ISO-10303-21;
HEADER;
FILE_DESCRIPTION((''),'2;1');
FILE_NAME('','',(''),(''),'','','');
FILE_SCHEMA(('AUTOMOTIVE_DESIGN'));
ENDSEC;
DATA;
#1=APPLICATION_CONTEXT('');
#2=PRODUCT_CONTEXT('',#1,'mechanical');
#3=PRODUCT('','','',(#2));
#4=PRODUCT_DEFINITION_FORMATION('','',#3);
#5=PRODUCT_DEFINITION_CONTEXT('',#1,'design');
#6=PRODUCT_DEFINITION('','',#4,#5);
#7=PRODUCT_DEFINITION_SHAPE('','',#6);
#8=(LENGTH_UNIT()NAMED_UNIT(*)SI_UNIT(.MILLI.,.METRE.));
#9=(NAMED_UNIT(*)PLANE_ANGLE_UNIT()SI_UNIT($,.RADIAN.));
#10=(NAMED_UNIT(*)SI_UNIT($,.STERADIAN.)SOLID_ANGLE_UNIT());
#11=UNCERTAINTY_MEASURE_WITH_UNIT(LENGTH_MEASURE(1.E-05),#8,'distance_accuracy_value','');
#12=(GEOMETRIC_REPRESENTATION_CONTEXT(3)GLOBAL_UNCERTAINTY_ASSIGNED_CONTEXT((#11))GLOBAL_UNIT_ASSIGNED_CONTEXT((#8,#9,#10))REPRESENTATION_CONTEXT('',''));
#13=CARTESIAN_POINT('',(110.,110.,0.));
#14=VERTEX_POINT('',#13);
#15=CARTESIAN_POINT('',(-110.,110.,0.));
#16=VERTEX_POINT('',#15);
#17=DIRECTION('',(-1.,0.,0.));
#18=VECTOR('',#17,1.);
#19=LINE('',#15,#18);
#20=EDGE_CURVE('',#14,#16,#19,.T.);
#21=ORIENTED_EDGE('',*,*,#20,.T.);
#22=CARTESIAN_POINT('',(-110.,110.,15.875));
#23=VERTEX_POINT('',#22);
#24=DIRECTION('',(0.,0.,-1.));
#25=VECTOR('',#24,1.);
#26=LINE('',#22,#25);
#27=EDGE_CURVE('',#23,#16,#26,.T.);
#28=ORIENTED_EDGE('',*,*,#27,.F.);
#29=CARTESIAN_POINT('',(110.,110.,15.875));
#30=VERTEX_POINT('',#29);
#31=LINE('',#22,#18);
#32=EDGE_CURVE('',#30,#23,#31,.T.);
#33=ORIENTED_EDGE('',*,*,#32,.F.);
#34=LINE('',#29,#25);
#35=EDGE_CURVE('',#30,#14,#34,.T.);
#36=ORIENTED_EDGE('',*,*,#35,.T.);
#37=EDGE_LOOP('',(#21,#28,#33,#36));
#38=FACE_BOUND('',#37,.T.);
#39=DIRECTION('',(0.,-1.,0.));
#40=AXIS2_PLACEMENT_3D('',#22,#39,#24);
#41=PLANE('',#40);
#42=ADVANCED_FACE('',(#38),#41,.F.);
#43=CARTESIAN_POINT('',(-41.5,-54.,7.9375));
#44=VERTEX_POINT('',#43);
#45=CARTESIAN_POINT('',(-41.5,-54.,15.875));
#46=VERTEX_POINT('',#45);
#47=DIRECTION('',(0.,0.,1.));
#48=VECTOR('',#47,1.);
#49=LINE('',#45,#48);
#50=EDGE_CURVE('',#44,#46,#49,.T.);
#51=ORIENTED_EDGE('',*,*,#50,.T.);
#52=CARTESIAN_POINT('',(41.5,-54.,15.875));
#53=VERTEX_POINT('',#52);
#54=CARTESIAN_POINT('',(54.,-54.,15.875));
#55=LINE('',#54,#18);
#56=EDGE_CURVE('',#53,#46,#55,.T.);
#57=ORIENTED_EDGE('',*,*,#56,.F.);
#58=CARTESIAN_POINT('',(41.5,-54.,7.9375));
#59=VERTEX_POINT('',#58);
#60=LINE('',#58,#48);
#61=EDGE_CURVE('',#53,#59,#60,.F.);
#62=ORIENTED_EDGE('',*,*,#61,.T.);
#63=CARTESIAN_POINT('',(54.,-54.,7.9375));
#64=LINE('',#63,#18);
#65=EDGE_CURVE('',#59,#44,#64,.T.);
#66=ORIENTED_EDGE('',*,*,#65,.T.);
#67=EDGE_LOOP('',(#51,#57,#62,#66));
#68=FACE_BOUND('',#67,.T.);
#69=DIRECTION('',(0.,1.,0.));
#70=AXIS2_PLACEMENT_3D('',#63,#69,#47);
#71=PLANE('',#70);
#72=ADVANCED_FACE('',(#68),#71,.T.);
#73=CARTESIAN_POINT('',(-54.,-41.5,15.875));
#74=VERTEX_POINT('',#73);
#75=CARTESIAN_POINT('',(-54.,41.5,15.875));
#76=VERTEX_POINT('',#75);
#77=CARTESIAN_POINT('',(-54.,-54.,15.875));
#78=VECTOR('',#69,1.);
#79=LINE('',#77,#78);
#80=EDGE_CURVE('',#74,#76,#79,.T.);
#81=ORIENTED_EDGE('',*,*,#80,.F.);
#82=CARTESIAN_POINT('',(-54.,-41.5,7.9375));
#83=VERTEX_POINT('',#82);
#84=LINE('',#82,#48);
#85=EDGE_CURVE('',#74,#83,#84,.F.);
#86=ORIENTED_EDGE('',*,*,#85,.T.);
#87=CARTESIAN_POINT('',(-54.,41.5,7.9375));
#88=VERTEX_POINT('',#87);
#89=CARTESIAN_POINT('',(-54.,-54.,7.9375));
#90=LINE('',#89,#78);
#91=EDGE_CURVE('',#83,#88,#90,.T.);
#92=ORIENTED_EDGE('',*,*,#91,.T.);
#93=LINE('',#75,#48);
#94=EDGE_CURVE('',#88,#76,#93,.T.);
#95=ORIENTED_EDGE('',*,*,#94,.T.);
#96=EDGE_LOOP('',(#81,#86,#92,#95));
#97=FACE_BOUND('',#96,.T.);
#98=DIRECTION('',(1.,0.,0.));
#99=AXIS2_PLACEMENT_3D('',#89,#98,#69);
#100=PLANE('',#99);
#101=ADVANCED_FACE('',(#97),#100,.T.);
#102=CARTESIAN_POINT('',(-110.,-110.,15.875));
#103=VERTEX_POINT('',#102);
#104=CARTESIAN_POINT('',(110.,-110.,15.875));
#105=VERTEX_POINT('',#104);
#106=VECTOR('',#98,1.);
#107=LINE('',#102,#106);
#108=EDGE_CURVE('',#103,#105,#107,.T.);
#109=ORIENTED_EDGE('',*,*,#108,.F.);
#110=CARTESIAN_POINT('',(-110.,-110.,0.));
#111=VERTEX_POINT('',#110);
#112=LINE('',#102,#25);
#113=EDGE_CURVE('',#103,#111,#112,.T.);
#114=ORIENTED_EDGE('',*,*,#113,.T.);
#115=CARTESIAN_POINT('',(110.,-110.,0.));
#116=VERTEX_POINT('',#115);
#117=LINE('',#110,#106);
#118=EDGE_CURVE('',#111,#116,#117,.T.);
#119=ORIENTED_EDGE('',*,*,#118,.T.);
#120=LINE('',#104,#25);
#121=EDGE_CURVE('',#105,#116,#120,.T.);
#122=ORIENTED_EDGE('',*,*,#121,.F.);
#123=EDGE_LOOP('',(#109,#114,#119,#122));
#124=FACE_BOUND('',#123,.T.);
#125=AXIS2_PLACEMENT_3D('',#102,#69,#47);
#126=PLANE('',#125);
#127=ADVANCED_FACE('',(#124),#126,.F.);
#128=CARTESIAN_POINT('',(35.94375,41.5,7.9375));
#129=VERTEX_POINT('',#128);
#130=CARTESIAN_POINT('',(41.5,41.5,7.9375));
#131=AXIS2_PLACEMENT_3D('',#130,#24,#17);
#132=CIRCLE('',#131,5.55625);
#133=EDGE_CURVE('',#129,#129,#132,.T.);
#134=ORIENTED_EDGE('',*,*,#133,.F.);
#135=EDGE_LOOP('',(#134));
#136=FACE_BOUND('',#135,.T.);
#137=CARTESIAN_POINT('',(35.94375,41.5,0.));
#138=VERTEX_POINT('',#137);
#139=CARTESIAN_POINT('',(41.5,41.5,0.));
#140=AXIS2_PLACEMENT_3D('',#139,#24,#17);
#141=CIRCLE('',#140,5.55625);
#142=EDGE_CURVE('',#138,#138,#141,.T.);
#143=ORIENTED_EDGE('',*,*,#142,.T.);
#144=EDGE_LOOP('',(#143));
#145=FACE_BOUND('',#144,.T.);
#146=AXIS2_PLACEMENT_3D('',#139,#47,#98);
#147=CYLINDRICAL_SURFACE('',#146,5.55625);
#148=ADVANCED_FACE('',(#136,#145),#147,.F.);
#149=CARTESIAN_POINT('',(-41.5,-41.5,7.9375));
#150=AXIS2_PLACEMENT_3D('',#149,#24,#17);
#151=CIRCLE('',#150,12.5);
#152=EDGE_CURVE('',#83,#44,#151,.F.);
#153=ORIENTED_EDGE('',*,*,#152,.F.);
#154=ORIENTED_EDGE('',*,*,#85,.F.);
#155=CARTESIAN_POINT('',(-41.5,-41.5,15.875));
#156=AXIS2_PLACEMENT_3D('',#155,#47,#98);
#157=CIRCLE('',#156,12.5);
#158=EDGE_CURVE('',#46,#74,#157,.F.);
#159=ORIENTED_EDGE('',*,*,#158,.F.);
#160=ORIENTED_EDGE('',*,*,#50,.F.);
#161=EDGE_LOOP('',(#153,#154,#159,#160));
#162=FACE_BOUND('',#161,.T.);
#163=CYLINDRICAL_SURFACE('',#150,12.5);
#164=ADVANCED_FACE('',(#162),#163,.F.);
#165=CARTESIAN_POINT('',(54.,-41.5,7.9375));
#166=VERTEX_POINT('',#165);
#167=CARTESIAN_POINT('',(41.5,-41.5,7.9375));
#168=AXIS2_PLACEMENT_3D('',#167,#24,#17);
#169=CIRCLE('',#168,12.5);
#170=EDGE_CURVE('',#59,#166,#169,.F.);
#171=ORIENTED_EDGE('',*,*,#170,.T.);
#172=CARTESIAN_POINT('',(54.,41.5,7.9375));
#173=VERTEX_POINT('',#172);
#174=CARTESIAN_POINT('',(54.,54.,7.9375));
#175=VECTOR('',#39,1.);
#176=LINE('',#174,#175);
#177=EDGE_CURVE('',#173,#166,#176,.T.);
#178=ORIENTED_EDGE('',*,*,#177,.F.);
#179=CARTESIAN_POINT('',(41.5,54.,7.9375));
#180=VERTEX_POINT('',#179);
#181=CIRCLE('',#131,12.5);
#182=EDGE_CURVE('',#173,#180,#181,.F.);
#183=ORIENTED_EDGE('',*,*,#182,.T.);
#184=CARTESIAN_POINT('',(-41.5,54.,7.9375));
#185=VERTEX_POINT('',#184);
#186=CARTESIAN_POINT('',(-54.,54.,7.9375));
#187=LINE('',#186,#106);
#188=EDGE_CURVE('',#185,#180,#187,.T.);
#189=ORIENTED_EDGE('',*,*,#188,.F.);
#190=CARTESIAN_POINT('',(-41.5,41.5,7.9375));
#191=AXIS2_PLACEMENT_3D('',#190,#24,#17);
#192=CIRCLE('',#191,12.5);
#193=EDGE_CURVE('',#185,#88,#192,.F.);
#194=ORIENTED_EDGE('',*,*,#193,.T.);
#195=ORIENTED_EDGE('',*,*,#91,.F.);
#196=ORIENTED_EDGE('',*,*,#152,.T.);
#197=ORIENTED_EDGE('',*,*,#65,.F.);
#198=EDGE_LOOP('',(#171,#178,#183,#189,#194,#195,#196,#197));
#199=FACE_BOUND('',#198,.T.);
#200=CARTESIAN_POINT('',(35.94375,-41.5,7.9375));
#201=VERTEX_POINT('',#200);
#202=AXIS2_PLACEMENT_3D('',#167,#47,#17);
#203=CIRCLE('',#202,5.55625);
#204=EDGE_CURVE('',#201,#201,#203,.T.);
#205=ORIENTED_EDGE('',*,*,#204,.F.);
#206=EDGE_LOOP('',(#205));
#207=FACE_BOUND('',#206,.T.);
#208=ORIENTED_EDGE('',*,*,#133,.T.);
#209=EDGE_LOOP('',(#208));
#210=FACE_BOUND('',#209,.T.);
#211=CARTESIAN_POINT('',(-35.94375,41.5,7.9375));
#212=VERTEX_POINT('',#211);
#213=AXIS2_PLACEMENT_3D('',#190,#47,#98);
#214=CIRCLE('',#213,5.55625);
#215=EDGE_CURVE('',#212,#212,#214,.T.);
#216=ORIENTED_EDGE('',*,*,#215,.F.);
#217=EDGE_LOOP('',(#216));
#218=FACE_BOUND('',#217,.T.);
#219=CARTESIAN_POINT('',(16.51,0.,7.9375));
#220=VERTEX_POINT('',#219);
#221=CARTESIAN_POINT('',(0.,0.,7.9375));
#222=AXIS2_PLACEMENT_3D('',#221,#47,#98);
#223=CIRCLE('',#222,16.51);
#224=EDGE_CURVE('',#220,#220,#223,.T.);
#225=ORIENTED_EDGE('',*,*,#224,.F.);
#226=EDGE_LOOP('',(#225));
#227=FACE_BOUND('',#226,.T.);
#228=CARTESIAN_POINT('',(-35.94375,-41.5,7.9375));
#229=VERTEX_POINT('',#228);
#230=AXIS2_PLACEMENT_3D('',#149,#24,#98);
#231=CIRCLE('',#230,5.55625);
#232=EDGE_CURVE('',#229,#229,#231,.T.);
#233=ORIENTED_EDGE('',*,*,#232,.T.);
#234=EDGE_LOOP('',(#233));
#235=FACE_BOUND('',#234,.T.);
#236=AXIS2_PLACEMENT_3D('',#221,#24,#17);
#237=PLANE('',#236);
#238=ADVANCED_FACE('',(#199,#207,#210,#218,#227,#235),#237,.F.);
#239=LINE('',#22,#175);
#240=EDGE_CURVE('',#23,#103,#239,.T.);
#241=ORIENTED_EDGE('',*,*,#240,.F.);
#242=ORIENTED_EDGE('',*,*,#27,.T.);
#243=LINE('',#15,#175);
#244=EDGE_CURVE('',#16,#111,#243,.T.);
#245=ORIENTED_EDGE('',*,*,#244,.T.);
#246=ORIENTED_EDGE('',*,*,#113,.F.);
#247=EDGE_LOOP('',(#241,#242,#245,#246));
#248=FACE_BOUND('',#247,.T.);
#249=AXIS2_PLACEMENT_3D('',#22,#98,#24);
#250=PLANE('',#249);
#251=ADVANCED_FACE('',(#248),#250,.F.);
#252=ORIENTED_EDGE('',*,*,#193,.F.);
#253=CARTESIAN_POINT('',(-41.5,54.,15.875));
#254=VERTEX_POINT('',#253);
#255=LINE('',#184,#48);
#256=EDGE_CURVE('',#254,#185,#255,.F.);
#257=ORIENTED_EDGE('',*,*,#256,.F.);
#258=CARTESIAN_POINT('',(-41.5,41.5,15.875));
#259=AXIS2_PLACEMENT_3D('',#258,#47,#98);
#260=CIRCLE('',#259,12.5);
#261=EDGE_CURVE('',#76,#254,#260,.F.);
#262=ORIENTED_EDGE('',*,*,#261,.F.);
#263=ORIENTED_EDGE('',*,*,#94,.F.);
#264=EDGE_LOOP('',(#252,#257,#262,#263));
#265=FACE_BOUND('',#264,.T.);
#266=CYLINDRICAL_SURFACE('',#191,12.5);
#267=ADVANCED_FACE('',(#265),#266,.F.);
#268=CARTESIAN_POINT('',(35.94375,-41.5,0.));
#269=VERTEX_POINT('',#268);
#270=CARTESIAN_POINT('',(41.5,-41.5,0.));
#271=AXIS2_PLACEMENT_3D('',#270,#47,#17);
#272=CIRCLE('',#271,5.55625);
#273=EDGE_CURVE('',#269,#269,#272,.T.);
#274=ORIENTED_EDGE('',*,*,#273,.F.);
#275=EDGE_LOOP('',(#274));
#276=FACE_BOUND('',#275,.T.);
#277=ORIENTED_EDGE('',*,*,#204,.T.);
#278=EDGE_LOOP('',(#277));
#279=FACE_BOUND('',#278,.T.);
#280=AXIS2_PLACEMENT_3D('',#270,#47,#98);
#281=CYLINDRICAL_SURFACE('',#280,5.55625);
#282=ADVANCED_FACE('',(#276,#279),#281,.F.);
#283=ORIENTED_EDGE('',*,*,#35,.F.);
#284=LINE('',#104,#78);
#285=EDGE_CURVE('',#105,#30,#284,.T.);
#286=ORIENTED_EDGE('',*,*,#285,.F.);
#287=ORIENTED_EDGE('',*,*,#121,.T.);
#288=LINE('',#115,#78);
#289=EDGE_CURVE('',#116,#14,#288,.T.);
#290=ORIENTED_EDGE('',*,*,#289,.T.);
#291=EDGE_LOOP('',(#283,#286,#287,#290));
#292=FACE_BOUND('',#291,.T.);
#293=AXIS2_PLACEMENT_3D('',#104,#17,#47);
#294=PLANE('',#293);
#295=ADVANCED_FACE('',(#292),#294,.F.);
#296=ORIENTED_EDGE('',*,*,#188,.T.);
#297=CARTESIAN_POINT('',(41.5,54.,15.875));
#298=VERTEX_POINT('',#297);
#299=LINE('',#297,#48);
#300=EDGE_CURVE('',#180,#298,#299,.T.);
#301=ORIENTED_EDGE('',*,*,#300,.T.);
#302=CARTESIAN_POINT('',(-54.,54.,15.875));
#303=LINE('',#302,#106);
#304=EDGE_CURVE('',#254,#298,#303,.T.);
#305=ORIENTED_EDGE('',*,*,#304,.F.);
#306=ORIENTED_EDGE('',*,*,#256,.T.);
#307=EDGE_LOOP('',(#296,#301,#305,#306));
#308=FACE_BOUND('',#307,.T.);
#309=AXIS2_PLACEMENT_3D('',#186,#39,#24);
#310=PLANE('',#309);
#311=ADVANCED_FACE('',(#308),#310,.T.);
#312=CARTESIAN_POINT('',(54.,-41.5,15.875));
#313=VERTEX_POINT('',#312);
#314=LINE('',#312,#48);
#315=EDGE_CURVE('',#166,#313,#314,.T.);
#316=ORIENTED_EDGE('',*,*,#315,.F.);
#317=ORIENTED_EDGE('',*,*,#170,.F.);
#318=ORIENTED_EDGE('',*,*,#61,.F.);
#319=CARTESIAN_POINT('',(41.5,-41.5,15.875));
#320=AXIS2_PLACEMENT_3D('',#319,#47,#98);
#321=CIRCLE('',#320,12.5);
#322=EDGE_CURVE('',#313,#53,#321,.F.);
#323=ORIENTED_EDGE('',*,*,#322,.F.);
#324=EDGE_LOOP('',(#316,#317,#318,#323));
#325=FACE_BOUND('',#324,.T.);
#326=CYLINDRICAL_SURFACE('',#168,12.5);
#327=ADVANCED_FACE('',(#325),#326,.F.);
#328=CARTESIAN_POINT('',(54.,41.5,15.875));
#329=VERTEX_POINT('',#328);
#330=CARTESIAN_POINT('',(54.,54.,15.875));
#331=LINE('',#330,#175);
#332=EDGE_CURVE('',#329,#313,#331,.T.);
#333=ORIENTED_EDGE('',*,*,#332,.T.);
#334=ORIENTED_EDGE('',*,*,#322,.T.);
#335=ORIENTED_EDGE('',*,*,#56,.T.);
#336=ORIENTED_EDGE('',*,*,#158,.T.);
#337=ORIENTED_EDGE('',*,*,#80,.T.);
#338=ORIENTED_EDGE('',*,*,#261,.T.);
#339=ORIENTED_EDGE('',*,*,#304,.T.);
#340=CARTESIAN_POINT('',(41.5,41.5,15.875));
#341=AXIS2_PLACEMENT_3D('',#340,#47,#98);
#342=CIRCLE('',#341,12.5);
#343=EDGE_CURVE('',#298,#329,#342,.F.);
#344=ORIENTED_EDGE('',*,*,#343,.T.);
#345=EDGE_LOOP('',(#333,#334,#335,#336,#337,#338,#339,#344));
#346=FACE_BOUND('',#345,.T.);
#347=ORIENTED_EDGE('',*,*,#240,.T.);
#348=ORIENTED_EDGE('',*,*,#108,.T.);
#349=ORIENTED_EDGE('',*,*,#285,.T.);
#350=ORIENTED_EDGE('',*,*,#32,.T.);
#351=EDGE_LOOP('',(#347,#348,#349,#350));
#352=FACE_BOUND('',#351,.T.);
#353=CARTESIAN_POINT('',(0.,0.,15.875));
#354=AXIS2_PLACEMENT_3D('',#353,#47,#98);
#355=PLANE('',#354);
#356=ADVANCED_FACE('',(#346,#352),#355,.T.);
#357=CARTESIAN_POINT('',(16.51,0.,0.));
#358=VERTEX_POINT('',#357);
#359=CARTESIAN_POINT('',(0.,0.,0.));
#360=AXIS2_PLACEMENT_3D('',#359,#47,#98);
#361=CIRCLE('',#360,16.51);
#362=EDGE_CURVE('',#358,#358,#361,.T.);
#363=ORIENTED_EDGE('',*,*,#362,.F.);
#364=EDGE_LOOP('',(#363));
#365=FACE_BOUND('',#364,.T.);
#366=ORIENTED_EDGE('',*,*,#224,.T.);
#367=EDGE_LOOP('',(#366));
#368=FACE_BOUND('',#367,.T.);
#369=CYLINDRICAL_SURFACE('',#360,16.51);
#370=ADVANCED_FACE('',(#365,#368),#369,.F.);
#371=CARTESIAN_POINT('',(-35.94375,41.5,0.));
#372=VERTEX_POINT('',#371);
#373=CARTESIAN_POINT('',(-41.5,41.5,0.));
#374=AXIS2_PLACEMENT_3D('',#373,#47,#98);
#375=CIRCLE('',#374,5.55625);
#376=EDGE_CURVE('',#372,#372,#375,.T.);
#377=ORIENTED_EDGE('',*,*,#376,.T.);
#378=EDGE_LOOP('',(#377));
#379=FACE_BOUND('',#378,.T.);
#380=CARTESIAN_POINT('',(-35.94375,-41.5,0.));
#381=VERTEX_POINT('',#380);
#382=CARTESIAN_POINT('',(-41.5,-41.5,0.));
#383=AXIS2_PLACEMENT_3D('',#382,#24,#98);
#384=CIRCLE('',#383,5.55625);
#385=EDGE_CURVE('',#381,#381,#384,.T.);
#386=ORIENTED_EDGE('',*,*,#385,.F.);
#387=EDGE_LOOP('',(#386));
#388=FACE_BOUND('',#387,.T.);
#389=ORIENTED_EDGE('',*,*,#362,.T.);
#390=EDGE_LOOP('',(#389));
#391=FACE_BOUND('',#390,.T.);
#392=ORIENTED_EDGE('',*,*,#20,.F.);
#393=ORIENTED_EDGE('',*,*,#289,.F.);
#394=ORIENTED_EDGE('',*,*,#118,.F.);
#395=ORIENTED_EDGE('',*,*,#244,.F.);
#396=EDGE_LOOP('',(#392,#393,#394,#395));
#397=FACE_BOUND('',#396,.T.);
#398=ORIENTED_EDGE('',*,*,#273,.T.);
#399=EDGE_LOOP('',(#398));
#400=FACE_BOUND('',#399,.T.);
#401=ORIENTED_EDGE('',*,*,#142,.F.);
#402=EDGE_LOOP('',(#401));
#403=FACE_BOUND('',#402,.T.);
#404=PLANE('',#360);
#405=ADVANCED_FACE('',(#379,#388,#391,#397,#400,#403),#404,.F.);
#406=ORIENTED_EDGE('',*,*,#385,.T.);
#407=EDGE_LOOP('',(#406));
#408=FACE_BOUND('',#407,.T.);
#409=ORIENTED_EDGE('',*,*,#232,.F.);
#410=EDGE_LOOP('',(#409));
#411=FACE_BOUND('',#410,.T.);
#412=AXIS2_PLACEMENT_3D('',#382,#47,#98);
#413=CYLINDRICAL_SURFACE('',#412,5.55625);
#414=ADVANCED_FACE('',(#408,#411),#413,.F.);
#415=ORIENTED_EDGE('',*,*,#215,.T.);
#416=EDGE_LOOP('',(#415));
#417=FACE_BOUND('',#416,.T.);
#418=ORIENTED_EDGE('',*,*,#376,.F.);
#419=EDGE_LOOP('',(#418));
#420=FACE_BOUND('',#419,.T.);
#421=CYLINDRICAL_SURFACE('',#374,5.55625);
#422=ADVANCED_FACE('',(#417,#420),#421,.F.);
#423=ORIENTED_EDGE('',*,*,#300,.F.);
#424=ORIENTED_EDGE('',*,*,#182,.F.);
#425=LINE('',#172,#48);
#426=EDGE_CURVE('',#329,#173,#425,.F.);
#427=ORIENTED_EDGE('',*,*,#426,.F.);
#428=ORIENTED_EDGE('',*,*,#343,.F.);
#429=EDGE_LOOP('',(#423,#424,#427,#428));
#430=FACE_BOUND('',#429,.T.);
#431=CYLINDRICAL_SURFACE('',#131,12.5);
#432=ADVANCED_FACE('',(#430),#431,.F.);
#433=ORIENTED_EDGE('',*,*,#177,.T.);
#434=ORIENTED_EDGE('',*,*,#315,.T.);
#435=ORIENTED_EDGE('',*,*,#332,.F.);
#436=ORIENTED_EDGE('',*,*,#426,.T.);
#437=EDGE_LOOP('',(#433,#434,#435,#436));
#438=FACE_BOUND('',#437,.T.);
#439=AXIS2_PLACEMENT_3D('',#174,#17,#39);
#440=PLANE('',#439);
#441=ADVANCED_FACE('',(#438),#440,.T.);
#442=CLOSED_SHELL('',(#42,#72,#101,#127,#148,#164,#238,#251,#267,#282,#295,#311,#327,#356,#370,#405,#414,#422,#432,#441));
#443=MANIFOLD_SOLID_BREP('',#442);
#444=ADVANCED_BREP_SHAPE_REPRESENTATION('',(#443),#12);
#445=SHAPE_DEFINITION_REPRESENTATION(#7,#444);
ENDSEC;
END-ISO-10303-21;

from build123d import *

# Parameters (mm, degrees)
SKETCH2_W                                  = 220
SKETCH2_H                                  = 220
BOSS_EXTRUDE1_DEPTH                        = 15.875
SKETCH4_W                                  = 108
SKETCH4_H                                  = 108
CUT_EXTRUDE1_DEPTH                         = 7.9375
FILLET1_R                                  = 12.5
SKETCH5_R                                  = 5.55625
CUT_EXTRUDE2_DEPTH                         = 156.765862455
MIRROR1_AT_THE_SECOND_PLANE_COPY_1_SKETC_R = 5.55625
MIRROR1_AT_THE_SECOND_PLANE_COPY_1_DEPTH   = 156.765862455
SKETCH6_R                                  = 16.51
CUT_EXTRUDE3_DEPTH                         = 156.765862455


with BuildPart() as part:
    # Sketch2 → Boss-Extrude1 (new body)
    with BuildSketch(Plane.XY):
        Rectangle(SKETCH2_W, SKETCH2_H)
    extrude(amount=BOSS_EXTRUDE1_DEPTH)

    # Sketch4 → Cut-Extrude1 (cut)
    with BuildSketch(Plane.XY.offset(15.875)):
        Rectangle(SKETCH4_W, SKETCH4_H)
    extrude(amount=-CUT_EXTRUDE1_DEPTH, mode=Mode.SUBTRACT)

    # Fillet1
    fillet1_edges = [part.edges().sort_by_distance(p)[0] for p in [
        (-54, -54, 11.90625),
        (-54, 54, 11.90625),
        (54, 54, 11.90625),
        (54, -54, 11.90625),
    ]]
    fillet(fillet1_edges, radius=FILLET1_R)

    # Sketch5 → Cut-Extrude2 (cut, through all)
    with BuildSketch(Plane.XY.offset(7.9375)):
        with Locations((-41.5, 41.5)):
            Circle(SKETCH5_R)
    cut_extrude2 = extrude(amount=-CUT_EXTRUDE2_DEPTH, mode=Mode.SUBTRACT)

    # Mirror1: Cut-Extrude2 across plane
    add(cut_extrude2.mirror(Plane.ZX), mode=Mode.SUBTRACT)

    # Mirror1 at the second plane: Cut-Extrude2 across plane
    add(cut_extrude2.mirror(Plane(origin=(0, 0, 0), x_dir=(0, 0, 1), z_dir=(1, 0, 0))), mode=Mode.SUBTRACT)

    # Mirror1 at the second plane copy 1 sketc → Mirror1 at the second plane copy 1 (cut, through all)
    with BuildSketch(Plane(origin=(0, 0, 7.9375), x_dir=(-1, 0, 0), z_dir=(0, 0, 1))):
        with Locations((-41.5, 41.5)):
            Circle(MIRROR1_AT_THE_SECOND_PLANE_COPY_1_SKETC_R)
    extrude(amount=-MIRROR1_AT_THE_SECOND_PLANE_COPY_1_DEPTH, mode=Mode.SUBTRACT)

    # Sketch6 → Cut-Extrude3 (cut, through all)
    with BuildSketch(Plane.XY.offset(7.9375)):
        Circle(SKETCH6_R)
    extrude(amount=-CUT_EXTRUDE3_DEPTH, mode=Mode.SUBTRACT)


solid = part.part
